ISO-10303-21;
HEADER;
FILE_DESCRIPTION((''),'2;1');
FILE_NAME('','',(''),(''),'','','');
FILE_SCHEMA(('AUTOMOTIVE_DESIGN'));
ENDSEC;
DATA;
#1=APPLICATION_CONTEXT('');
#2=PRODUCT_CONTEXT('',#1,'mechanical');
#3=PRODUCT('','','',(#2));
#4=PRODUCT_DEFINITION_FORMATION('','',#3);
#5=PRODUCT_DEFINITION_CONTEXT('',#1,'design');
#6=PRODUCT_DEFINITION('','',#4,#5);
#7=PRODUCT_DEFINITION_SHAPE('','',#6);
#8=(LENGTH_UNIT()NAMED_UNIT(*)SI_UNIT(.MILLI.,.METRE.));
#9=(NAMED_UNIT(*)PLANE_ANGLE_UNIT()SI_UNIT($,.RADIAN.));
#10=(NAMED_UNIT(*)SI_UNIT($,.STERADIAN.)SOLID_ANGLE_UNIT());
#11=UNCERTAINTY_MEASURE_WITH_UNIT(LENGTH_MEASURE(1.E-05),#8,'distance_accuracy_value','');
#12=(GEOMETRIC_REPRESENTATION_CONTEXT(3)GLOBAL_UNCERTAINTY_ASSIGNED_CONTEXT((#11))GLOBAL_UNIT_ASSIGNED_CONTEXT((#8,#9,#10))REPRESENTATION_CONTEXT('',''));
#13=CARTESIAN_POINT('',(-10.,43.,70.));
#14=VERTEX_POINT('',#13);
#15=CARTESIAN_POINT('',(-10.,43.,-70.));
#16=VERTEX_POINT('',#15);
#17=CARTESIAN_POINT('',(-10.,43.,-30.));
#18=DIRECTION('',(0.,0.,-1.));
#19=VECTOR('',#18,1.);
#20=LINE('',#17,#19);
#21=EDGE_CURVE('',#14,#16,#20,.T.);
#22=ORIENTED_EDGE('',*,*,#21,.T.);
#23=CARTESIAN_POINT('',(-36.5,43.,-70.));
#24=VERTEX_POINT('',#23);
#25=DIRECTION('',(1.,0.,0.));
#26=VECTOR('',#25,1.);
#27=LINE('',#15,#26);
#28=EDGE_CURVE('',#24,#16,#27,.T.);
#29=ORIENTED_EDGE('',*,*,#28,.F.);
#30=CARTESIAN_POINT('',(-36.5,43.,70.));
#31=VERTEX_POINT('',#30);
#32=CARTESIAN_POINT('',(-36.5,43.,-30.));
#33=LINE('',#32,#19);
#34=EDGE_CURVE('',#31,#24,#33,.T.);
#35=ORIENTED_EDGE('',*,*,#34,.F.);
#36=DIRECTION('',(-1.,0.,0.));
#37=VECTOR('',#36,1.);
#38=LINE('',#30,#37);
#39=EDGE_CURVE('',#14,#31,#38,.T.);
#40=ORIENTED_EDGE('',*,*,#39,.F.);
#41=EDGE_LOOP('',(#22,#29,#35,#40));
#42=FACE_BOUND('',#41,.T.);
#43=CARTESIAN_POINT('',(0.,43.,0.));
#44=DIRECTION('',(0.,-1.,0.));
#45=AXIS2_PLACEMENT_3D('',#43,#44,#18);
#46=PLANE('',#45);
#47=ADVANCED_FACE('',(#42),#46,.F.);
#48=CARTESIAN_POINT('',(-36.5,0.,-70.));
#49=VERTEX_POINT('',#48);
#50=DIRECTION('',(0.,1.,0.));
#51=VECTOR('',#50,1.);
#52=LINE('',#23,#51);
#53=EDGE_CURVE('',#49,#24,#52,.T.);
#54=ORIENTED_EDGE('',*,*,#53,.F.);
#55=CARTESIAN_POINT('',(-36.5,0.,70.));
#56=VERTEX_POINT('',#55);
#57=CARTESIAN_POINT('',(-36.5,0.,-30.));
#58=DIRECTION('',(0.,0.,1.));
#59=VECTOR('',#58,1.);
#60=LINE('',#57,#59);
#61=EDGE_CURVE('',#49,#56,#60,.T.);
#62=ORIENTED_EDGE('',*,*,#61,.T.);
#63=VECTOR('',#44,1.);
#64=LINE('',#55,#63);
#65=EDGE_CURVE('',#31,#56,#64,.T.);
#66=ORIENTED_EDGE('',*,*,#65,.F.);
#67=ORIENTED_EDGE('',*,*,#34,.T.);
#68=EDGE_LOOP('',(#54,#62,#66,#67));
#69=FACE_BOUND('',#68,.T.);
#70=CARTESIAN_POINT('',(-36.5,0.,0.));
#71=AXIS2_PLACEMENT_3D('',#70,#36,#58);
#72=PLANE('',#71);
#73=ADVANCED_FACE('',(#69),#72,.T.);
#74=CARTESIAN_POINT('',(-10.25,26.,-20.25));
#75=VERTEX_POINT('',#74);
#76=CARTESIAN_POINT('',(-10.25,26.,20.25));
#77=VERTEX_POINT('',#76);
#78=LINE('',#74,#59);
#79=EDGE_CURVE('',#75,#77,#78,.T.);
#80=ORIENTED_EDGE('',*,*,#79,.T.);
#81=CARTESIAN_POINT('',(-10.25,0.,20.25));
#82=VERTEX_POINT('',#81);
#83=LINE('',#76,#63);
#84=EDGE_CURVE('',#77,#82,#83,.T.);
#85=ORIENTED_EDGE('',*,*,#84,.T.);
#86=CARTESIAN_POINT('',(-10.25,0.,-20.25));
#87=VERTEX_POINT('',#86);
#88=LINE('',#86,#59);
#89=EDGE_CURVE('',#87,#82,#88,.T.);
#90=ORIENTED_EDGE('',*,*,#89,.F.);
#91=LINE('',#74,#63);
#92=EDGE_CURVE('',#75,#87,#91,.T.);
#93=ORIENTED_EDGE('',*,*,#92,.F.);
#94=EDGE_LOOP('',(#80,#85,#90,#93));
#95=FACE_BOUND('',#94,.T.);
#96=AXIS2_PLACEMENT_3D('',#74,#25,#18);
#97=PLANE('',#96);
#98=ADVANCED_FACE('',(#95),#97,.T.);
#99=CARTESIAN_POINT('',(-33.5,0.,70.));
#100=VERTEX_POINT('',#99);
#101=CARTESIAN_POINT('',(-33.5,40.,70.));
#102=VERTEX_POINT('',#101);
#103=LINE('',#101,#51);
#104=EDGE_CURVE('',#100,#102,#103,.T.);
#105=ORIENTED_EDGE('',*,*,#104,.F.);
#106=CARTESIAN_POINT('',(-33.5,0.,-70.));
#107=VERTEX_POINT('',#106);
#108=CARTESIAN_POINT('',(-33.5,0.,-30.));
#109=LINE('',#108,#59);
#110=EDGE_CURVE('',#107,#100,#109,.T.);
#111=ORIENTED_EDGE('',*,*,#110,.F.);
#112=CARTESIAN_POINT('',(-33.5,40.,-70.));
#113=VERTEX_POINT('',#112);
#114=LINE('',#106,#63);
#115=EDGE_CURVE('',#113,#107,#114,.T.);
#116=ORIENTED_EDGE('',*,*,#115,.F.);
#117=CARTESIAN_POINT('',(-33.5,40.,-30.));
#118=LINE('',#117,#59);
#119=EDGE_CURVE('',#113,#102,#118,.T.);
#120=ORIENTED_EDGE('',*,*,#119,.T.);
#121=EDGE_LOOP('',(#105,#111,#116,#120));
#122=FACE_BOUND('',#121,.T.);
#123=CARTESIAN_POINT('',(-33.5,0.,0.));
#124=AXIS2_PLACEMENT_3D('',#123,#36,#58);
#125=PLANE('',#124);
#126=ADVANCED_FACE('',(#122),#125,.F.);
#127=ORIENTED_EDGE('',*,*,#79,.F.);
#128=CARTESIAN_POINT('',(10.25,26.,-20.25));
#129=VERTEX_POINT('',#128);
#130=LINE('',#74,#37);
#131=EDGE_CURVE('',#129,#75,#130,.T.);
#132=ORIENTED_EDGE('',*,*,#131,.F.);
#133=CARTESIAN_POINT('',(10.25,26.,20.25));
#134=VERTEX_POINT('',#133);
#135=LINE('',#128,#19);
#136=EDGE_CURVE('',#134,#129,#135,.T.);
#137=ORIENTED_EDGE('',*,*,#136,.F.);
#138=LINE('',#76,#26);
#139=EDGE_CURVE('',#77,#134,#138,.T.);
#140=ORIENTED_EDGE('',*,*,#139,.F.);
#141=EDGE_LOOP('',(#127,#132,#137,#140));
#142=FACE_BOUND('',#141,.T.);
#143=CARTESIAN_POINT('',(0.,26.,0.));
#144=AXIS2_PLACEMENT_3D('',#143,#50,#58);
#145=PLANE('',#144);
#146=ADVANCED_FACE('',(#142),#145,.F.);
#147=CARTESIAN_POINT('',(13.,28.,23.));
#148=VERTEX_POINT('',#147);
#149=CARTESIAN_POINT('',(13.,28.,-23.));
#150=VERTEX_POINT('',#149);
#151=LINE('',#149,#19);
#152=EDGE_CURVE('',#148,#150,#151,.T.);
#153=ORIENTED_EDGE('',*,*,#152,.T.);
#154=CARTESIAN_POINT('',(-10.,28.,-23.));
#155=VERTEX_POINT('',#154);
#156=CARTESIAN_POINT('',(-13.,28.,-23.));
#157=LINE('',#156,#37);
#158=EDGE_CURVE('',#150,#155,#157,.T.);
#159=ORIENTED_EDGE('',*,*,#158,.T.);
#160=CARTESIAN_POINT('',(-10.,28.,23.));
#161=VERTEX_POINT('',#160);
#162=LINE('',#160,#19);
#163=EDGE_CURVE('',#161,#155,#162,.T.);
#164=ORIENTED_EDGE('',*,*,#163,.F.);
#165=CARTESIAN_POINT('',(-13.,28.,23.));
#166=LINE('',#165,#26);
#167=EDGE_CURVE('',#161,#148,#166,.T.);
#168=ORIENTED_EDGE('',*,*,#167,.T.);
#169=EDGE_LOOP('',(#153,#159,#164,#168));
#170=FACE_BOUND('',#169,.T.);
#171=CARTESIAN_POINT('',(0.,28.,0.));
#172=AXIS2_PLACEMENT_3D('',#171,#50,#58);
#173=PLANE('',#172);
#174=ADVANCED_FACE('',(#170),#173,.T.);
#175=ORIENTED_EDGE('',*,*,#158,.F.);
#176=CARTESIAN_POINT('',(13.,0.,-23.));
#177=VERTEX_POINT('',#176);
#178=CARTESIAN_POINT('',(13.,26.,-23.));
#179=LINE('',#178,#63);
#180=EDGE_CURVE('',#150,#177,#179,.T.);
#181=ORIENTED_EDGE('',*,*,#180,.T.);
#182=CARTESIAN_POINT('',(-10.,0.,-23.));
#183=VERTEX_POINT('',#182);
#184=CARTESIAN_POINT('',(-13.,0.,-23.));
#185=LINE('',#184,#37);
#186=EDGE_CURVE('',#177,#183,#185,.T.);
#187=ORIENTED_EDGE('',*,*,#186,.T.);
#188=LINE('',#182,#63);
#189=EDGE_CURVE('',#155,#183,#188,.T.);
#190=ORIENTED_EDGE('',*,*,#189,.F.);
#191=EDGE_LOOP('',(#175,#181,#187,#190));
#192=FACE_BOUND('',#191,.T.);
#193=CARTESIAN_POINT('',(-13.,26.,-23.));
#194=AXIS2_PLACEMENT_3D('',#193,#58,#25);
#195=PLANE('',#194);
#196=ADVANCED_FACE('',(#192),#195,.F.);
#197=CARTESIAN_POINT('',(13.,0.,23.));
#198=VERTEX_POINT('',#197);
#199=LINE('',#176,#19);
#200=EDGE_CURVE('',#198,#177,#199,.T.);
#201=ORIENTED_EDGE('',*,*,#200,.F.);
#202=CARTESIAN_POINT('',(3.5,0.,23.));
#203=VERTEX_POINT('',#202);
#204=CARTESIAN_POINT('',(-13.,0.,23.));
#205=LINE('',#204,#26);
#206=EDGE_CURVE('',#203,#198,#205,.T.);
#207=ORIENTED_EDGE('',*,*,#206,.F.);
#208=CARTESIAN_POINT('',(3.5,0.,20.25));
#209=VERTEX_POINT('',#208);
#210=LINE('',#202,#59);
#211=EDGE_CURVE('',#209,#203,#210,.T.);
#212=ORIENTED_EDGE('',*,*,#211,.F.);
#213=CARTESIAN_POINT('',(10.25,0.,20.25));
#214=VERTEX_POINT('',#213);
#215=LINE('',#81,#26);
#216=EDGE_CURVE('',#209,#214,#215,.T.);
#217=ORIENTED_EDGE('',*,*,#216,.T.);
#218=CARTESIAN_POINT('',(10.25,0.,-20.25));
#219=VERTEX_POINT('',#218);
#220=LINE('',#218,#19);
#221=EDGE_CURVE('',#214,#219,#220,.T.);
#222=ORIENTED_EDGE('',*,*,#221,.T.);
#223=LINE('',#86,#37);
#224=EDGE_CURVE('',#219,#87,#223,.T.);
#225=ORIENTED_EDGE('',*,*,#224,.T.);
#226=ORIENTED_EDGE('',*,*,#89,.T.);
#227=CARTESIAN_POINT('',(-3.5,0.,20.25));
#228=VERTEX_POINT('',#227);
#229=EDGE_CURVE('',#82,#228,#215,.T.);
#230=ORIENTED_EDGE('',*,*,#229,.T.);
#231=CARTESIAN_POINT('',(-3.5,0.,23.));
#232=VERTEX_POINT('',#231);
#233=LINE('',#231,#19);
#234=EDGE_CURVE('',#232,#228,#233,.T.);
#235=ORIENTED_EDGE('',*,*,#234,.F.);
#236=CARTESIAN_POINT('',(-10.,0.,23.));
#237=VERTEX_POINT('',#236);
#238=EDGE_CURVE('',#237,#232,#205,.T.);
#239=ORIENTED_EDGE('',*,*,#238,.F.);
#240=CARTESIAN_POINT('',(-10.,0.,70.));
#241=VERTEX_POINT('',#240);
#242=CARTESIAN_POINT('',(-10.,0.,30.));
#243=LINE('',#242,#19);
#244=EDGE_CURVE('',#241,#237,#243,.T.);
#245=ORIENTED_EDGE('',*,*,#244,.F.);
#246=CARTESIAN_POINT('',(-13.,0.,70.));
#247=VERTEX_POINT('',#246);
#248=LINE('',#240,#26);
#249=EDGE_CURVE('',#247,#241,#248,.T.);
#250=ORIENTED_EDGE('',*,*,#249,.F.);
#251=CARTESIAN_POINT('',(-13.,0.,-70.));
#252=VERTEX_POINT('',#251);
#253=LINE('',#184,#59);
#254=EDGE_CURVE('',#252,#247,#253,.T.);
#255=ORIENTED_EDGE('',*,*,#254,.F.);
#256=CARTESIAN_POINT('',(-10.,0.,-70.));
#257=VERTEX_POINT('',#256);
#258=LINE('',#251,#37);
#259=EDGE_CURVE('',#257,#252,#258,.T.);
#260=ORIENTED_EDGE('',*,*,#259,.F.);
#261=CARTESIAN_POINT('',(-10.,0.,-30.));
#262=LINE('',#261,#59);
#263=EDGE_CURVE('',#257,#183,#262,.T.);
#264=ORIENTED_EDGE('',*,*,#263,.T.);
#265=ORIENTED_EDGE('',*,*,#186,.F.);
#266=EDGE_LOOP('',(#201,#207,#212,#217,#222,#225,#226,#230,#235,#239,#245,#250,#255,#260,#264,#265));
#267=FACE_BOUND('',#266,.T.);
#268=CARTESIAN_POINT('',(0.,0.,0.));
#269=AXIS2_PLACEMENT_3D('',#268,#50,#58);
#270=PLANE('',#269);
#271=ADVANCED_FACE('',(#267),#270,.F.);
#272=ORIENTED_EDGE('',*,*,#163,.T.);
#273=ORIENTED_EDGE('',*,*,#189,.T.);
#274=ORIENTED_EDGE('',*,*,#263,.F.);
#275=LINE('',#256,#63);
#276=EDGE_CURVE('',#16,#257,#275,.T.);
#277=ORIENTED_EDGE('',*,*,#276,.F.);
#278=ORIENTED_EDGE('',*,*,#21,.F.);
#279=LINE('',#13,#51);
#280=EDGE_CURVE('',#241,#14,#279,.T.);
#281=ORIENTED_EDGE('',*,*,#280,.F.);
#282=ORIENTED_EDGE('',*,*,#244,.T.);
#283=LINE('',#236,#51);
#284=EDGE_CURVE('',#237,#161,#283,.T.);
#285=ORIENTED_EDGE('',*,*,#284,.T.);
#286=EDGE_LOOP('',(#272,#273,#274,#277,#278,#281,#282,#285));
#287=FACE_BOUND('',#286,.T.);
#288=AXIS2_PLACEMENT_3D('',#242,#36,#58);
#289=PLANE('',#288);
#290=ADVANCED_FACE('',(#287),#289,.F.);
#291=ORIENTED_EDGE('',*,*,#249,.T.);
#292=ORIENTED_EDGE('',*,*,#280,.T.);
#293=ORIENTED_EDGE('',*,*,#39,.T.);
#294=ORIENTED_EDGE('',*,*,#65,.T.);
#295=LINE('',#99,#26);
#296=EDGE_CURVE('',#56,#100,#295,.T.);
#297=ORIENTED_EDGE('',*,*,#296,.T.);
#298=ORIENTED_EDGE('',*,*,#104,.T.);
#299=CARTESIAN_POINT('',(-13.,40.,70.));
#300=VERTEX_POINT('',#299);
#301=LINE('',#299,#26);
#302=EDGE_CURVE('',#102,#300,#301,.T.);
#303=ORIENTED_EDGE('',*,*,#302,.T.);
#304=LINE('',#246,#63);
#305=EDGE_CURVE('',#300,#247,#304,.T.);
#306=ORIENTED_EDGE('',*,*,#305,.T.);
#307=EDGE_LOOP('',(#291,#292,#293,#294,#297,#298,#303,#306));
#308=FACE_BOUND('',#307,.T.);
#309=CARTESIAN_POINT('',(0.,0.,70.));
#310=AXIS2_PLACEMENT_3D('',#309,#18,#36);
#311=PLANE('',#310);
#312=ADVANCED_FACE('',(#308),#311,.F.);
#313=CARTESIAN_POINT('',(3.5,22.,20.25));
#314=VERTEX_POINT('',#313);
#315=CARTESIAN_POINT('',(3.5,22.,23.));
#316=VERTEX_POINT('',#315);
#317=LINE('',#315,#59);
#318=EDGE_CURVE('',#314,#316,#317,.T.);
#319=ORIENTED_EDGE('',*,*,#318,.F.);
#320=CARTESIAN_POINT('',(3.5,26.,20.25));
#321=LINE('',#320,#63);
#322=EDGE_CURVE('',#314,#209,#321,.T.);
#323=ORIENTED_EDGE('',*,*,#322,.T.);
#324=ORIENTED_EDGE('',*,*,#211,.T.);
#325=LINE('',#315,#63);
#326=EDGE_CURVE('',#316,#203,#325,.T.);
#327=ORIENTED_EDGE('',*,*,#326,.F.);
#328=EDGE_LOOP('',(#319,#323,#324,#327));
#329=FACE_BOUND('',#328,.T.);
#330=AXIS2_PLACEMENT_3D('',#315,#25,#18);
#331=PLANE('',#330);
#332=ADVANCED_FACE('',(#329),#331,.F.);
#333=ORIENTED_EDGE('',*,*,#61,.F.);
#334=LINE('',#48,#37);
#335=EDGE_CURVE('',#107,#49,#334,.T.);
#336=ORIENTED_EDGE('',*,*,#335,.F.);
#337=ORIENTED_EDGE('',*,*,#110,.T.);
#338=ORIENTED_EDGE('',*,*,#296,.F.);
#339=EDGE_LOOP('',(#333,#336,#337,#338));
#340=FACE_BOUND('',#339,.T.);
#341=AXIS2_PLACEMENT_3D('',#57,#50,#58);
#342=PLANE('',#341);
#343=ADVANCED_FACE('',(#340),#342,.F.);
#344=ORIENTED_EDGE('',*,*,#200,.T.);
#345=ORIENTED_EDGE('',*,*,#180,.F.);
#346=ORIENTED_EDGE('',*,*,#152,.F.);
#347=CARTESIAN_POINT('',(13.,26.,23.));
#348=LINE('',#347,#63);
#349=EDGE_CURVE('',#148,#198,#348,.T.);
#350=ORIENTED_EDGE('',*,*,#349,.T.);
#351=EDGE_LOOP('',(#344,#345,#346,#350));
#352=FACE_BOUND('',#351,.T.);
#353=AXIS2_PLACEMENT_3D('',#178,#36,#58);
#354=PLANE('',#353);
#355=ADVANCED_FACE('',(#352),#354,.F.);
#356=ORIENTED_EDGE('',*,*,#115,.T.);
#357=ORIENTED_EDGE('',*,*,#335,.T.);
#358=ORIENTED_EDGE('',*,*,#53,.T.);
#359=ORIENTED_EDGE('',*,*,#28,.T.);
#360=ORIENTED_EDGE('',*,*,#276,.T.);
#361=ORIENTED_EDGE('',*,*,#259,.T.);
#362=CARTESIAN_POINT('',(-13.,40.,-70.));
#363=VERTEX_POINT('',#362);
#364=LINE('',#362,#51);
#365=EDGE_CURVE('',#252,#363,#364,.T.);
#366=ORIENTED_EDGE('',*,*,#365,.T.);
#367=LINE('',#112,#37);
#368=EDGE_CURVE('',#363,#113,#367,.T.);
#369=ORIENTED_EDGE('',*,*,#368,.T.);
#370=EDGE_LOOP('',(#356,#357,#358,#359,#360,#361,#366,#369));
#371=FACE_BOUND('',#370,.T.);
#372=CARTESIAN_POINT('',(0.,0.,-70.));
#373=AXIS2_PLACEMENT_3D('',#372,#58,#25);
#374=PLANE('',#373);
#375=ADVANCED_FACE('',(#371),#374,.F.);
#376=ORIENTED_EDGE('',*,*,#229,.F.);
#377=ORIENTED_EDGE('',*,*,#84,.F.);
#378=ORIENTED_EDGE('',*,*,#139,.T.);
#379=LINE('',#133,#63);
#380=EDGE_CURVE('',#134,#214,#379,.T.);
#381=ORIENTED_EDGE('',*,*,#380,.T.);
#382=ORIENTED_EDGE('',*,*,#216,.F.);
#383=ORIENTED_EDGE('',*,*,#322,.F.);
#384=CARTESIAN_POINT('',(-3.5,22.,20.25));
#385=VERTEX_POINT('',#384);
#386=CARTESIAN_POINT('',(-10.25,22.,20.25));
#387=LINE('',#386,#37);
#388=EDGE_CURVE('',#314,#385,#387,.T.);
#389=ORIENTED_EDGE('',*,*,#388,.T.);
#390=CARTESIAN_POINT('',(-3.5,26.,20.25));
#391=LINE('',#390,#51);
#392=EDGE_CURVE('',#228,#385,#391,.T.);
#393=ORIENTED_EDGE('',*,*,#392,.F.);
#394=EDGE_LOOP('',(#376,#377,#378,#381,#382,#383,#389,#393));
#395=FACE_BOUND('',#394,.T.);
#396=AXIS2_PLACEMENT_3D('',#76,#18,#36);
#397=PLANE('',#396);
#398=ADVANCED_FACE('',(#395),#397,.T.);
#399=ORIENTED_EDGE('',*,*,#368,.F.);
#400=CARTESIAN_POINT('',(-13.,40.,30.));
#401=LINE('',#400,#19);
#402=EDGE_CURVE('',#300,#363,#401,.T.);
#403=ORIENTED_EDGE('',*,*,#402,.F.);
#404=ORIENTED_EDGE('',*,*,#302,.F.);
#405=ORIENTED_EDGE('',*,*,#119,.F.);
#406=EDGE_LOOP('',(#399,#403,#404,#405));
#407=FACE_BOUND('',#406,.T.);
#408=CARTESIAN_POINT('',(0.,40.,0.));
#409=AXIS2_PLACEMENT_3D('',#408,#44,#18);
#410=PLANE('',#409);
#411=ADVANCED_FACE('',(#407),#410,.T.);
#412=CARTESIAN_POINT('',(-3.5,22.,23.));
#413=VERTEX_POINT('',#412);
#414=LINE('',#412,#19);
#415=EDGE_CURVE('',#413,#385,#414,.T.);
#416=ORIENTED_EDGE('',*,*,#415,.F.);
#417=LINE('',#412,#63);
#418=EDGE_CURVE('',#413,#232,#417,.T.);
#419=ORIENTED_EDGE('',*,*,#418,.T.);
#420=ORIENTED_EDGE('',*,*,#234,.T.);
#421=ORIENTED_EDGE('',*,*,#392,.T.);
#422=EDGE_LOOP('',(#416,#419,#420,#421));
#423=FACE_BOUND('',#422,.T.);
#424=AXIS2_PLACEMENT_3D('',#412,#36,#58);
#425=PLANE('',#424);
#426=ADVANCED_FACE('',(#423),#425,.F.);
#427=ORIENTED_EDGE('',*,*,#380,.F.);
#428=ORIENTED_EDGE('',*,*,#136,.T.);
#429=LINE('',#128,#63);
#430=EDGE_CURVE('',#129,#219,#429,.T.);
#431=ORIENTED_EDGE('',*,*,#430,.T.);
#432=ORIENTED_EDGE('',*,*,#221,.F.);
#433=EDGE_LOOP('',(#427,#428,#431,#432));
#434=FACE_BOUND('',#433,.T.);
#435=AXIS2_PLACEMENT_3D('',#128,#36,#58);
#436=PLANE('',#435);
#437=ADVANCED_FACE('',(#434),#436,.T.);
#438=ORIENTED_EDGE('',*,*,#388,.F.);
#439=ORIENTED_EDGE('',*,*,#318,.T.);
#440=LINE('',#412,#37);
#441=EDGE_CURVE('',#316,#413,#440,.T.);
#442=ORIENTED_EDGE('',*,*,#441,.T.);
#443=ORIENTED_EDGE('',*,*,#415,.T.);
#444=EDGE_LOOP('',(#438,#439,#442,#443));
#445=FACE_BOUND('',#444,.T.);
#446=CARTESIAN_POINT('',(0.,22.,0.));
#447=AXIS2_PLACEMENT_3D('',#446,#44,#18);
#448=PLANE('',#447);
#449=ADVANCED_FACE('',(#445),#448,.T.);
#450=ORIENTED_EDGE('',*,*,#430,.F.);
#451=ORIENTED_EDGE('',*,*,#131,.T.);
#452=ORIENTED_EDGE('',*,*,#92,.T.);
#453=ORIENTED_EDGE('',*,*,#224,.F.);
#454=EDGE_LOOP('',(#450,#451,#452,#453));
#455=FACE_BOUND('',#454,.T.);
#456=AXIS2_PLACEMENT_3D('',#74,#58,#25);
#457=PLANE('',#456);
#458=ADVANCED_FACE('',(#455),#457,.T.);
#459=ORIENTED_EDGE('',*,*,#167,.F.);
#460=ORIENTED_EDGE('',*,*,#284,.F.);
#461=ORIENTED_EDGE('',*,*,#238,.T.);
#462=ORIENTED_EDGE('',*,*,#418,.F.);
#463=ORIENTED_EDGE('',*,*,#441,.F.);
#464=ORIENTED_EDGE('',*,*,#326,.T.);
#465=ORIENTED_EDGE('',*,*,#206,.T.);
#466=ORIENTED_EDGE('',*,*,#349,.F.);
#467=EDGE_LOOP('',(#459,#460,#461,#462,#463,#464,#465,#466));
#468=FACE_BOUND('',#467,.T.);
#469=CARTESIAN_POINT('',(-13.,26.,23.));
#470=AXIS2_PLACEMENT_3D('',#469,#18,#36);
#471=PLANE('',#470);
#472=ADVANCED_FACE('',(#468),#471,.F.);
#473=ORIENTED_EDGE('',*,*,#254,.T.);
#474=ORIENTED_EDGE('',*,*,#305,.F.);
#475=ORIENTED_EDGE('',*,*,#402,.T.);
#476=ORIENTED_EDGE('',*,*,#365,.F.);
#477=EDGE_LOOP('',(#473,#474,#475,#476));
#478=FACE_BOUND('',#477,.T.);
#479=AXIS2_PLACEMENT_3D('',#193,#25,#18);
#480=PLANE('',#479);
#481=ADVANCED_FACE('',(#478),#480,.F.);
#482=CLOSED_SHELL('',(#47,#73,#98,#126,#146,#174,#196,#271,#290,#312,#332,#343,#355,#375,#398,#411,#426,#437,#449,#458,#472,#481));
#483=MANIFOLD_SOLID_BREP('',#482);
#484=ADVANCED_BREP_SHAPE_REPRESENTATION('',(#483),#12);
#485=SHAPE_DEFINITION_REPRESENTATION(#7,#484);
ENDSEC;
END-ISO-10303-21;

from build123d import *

# Parameters (mm, degrees)
SKETCH1_W            = 26
SKETCH1_H            = 46
SKETCH1_W_2          = 20.5
SKETCH1_H_2          = 40.5
BOSS_EXTRUDE1_DEPTH  = 26
SKETCH2_W            = 26
SKETCH2_H            = 46
BOSS_EXTRUDE2_DEPTH  = 2
SKETCH3_W            = 7
SKETCH3_H            = 3
CUT_EXTRUDE1_DEPTH   = 22
SKETCH6_W            = 3
SKETCH6_H            = 40
BOSS_EXTRUDE5_DEPTH  = 7
SKETCH7_W            = 3
SKETCH7_H            = 40
BOSS_EXTRUDE6_DEPTH  = 7
SKETCH8_W            = 46
SKETCH8_H            = 12
BOSS_EXTRUDE7_DEPTH  = 3
SKETCH10_W           = 23.5
SKETCH10_H           = 60
BOSS_EXTRUDE8_DEPTH  = 3
SKETCH11_W           = 60
SKETCH11_H           = 43
BOSS_EXTRUDE9_DEPTH  = 3
BOSS_EXTRUDE10_DEPTH = 40
BOSS_EXTRUDE11_DEPTH = 40


with BuildPart() as part:
    # Sketch1 → Boss-Extrude1 (new body)
    with BuildSketch(Plane(origin=(0, 0, 0), x_dir=(1, 0, 0), z_dir=(0, 1, 0))):
        Rectangle(SKETCH1_W, SKETCH1_H)
        Rectangle(SKETCH1_W_2, SKETCH1_H_2, mode=Mode.SUBTRACT)
    extrude(amount=BOSS_EXTRUDE1_DEPTH)

    # Sketch2 → Boss-Extrude2 (add)
    with BuildSketch(Plane(origin=(0, 26, 0), x_dir=(1, 0, 0), z_dir=(0, 1, 0))):
        Rectangle(SKETCH2_W, SKETCH2_H)
    extrude(amount=BOSS_EXTRUDE2_DEPTH)

    # Sketch3 → Cut-Extrude1 (cut)
    with BuildSketch(Plane.XZ):
        with Locations((0, 21.5)):
            Rectangle(SKETCH3_W, SKETCH3_H)
    extrude(amount=-CUT_EXTRUDE1_DEPTH, mode=Mode.SUBTRACT)

    # Sketch6 → Boss-Extrude5 (add)
    with BuildSketch(Plane.XY.offset(23)):
        with Locations((-11.5, 20)):
            Rectangle(SKETCH6_W, SKETCH6_H)
    extrude(amount=BOSS_EXTRUDE5_DEPTH)

    # Sketch7 → Boss-Extrude6 (add)
    with BuildSketch(Plane(origin=(0, 0, -23), x_dir=(-1, 0, 0), z_dir=(0, 0, -1))):
        with Locations((11.5, 20)):
            Rectangle(SKETCH7_W, SKETCH7_H)
    extrude(amount=BOSS_EXTRUDE6_DEPTH)

    # Sketch8 → Boss-Extrude7 (add)
    with BuildSketch(Plane(origin=(-10, 0, 0), x_dir=(0, 0, -1), z_dir=(1, 0, 0))):
        with Locations((0, 34)):
            Rectangle(SKETCH8_W, SKETCH8_H)
    extrude(amount=-BOSS_EXTRUDE7_DEPTH)

    # Sketch10 → Boss-Extrude8 (add)
    with BuildSketch(Plane(origin=(0, 40, 0), x_dir=(1, 0, 0), z_dir=(0, 1, 0))):
        with Locations((-21.75, 0)):
            Rectangle(SKETCH10_W, SKETCH10_H)
    extrude(amount=BOSS_EXTRUDE8_DEPTH)

    # Sketch11 → Boss-Extrude9 (add)
    with BuildSketch(Plane.ZY.offset(33.5)):
        with Locations((0, 21.5)):
            Rectangle(SKETCH11_W, SKETCH11_H)
    extrude(amount=BOSS_EXTRUDE9_DEPTH)

    # Sketch12 → Boss-Extrude10 (add)
    with BuildSketch(Plane.XY.offset(30)):
        Polygon((-33.5, 0), (-36.5, 0), (-36.5, 43), (-10, 43), (-10, 0), (-13, 0), (-13, 40), (-33.5, 40), align=None)
    extrude(amount=BOSS_EXTRUDE10_DEPTH)

    # Sketch13 → Boss-Extrude11 (add)
    with BuildSketch(Plane(origin=(0, 0, -30), x_dir=(-1, 0, 0), z_dir=(0, 0, -1))):
        Polygon((13, 0), (10, 0), (10, 43), (36.5, 43), (36.5, 0), (33.5, 0), (33.5, 40), (13, 40), align=None)
    extrude(amount=BOSS_EXTRUDE11_DEPTH)


solid = part.part
